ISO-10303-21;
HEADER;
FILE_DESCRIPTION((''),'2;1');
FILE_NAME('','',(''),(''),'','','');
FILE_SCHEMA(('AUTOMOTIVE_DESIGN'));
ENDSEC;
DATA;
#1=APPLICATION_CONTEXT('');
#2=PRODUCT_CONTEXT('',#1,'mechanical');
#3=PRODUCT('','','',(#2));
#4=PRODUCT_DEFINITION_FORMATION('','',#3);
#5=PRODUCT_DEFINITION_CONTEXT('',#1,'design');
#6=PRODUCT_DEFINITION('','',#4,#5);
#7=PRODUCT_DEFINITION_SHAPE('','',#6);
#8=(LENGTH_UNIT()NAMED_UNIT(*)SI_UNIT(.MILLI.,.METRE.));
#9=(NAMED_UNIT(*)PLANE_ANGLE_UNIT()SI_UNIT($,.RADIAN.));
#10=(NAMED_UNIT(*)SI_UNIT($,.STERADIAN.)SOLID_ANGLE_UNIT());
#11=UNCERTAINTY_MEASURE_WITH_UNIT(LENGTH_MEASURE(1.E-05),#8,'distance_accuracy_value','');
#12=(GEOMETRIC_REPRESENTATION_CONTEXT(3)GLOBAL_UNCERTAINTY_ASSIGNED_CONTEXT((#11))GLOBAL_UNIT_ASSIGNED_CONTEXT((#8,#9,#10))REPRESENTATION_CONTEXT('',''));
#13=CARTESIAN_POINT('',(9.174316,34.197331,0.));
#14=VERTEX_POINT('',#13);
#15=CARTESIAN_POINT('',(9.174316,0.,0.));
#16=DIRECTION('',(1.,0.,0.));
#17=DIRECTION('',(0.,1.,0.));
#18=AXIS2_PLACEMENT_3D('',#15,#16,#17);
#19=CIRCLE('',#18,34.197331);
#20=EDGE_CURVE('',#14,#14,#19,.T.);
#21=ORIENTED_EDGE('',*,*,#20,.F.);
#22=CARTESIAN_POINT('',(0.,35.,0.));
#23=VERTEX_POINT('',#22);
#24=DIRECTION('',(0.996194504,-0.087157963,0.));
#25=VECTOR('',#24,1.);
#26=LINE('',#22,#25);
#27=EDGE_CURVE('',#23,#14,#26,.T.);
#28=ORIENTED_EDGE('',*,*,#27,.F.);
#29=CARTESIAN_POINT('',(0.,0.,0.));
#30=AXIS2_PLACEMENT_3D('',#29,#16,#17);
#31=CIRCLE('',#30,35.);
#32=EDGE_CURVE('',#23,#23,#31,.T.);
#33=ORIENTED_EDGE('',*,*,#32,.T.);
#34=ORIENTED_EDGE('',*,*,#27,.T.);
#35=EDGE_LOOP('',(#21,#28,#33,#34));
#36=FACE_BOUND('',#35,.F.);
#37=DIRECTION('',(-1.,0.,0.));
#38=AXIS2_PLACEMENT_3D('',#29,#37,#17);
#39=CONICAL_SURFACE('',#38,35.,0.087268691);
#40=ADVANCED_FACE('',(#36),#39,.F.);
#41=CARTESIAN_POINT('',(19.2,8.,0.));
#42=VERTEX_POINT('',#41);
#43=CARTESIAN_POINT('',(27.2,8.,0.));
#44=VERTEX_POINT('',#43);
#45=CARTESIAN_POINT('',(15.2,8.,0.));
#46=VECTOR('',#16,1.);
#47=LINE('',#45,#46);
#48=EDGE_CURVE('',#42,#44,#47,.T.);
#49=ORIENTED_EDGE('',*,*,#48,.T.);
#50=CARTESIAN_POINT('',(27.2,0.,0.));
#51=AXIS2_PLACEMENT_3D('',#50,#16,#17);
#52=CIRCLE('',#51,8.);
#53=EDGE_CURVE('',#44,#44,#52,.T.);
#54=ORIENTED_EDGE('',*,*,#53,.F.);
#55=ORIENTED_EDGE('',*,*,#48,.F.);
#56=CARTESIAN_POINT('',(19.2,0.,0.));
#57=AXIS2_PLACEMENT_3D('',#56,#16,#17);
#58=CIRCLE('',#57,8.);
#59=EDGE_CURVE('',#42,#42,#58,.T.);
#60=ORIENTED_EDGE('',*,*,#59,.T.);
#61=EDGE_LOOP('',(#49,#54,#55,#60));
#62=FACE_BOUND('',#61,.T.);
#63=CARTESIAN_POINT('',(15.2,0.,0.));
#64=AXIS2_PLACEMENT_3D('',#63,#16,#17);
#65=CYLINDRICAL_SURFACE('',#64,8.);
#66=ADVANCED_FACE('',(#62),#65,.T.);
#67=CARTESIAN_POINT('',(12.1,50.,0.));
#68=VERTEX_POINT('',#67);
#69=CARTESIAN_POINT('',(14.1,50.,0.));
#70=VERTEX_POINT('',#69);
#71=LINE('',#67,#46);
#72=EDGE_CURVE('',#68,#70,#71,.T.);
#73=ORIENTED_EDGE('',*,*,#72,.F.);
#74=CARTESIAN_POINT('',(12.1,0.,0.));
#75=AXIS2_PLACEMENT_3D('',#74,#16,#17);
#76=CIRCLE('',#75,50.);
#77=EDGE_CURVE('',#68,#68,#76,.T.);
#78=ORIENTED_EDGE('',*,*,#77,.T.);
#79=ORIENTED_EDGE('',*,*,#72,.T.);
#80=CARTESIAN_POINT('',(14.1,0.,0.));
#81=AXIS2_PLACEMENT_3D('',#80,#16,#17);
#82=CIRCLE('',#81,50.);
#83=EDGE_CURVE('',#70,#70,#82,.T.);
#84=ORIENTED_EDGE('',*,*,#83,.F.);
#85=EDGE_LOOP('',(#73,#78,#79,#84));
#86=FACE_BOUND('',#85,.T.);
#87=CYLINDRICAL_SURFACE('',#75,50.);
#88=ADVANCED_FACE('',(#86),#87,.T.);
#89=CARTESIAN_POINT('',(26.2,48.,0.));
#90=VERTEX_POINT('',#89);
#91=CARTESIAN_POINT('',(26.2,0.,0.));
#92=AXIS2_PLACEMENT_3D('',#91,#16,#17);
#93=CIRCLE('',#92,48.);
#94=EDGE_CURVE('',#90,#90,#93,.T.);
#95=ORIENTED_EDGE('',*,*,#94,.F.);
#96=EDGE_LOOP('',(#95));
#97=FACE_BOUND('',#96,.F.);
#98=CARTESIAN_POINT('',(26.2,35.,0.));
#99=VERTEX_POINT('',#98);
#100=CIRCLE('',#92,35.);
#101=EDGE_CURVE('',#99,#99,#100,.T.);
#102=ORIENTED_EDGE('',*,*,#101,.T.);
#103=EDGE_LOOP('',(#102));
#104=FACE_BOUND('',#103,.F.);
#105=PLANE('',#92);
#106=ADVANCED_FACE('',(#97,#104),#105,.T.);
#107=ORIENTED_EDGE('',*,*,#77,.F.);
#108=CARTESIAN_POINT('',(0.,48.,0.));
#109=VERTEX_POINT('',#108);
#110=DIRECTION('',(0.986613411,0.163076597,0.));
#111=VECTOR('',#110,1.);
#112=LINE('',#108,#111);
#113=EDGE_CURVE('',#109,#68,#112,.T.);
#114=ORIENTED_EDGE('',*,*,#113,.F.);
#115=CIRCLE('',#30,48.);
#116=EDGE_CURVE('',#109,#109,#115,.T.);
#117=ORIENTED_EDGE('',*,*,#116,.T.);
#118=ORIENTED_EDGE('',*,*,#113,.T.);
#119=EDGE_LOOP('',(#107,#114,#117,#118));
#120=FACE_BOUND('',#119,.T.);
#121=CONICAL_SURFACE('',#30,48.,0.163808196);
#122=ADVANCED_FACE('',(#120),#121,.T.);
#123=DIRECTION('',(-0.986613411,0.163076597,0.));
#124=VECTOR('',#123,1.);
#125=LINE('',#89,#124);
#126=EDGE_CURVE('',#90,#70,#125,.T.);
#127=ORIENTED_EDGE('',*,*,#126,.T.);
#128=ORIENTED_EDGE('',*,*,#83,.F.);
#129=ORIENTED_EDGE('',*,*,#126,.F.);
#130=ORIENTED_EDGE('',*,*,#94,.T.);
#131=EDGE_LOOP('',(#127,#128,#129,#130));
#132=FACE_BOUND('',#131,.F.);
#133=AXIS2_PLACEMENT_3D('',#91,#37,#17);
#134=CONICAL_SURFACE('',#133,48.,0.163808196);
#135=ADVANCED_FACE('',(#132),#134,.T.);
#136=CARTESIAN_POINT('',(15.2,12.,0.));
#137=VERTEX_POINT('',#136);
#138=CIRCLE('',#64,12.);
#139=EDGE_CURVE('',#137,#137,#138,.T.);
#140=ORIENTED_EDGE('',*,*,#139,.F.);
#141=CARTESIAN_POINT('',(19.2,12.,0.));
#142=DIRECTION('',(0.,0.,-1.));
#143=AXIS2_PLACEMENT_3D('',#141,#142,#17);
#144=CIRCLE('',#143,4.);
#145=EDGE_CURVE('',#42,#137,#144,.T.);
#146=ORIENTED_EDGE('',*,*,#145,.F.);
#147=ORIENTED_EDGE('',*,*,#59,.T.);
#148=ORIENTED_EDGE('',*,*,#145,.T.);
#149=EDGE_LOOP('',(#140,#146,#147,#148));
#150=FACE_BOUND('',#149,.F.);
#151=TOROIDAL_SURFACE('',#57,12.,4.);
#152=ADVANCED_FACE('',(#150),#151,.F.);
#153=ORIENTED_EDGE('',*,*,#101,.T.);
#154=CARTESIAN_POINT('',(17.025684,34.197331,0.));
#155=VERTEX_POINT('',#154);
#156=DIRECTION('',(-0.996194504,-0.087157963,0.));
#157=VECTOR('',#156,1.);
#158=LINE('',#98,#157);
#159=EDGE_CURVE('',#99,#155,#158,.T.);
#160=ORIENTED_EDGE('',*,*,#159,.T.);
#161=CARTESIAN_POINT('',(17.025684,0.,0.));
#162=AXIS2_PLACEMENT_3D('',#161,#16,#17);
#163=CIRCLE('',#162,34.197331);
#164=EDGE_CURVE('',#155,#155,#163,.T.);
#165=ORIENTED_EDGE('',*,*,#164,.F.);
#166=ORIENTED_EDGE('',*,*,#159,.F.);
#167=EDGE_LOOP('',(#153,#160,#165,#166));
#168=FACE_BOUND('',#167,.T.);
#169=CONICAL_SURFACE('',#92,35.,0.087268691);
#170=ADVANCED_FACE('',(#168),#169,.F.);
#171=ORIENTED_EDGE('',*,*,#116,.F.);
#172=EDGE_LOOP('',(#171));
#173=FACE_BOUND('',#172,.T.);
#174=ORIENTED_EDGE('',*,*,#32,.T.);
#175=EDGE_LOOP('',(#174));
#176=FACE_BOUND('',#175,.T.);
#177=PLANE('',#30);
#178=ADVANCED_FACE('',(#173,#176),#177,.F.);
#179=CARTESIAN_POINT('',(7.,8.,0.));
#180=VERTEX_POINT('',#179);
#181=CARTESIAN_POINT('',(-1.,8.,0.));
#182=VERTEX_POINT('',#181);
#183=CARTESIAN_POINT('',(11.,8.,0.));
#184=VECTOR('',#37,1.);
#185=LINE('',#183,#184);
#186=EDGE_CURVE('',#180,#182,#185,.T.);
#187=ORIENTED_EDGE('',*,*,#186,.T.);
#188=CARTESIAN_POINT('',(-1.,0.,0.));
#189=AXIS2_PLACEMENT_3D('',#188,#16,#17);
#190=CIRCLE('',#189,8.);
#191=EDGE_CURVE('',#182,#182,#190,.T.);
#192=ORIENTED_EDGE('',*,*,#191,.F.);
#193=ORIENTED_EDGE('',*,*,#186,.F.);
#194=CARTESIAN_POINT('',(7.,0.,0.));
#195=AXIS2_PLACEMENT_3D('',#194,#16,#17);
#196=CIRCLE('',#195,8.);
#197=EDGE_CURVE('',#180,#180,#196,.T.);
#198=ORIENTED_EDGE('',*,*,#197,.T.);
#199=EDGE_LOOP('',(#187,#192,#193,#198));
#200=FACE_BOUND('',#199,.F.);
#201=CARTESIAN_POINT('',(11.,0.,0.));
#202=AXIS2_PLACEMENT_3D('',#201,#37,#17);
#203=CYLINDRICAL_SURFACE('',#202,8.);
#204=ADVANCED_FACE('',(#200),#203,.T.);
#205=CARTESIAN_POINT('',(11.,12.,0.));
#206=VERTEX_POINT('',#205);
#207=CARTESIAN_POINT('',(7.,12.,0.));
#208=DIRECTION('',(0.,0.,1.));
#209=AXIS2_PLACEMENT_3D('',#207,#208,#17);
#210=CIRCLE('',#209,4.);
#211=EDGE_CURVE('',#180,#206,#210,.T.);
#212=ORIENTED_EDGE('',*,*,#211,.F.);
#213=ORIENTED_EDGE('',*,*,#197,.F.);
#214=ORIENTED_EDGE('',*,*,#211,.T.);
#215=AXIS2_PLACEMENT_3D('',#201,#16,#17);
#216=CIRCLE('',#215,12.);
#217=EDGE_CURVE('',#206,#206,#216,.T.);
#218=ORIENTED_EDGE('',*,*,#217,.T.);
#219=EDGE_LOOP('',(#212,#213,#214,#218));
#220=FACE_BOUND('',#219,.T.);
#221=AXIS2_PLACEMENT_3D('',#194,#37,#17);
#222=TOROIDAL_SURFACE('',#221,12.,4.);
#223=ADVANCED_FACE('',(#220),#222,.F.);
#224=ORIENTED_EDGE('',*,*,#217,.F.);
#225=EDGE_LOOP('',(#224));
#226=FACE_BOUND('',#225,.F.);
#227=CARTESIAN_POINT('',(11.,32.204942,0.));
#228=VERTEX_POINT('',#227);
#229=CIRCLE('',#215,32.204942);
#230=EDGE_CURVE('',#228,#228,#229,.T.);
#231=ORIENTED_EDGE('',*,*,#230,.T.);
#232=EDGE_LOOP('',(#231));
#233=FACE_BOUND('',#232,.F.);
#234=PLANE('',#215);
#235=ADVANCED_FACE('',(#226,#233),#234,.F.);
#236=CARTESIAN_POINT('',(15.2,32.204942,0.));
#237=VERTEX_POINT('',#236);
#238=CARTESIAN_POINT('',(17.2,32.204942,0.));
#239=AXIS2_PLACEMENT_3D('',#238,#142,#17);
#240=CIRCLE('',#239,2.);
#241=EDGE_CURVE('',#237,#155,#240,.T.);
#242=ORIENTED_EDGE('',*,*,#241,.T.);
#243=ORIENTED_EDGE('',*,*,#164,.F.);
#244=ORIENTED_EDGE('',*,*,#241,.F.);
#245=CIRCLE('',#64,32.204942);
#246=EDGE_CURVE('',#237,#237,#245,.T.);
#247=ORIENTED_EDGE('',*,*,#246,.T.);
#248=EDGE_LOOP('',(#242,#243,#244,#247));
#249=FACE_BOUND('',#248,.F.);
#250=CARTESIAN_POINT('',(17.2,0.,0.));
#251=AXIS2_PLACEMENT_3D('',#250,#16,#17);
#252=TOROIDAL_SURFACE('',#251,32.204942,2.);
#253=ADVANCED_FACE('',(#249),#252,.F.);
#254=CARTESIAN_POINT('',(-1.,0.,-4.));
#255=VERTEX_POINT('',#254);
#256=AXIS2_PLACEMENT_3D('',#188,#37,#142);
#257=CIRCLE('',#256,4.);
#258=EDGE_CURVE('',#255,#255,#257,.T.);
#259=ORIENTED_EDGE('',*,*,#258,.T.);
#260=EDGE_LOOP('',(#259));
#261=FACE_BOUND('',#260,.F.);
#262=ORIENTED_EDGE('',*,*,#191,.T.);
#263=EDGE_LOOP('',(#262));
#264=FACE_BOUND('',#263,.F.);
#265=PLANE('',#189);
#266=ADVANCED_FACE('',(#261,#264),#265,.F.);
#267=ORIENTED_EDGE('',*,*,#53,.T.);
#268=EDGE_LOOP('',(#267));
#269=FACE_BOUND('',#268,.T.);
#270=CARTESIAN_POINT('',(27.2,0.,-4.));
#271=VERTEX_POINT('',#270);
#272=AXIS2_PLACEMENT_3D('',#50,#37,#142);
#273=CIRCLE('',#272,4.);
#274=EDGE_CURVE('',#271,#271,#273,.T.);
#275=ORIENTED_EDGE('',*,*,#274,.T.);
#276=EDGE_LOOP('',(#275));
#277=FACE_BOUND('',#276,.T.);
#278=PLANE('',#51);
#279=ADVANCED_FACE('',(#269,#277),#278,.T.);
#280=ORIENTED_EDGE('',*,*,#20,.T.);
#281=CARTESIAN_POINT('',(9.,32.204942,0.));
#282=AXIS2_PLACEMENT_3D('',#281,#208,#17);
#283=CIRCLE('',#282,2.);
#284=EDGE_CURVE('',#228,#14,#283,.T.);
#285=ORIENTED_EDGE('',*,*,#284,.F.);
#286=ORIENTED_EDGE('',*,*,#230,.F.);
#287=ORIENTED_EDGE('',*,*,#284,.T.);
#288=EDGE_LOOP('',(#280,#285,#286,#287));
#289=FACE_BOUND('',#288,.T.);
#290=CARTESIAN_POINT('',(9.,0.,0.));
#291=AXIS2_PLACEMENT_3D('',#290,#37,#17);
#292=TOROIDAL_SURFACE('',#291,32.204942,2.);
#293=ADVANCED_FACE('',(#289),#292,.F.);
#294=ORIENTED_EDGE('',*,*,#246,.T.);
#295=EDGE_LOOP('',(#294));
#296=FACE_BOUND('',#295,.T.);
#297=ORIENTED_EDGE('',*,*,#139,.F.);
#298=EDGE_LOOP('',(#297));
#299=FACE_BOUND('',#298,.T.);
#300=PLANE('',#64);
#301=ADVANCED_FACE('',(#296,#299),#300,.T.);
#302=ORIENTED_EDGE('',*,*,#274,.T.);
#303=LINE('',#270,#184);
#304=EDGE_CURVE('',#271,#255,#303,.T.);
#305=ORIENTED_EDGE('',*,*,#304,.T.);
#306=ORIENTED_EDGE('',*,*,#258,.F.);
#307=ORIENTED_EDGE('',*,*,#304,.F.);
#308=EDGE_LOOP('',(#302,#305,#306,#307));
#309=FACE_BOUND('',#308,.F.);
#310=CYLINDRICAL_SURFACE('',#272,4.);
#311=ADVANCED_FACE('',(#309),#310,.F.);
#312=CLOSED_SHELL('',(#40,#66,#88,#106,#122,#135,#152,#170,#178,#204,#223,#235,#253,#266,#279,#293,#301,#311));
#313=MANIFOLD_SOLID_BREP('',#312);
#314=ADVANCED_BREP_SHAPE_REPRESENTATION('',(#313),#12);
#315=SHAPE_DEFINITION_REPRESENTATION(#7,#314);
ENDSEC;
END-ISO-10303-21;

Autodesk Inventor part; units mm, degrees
ref_plane "YZ Plane" through (0, 0, 0) normal (1, 0, 0) x (0, 1, 0)
ref_plane "XZ Plane" through (0, 0, 0) normal (0, 1, 0) x (-1, 0, 0)
ref_plane "XY Plane" through (0, 0, 0) normal (0, 0, 1) x (1, 0, 0)
sketch "Sketch1" plane through (0, 0, 0) normal (0, 0, 1) x (1, 0, 0)
  line L0 (0, 0) -> (37.6224, 0)
  line L1 (0, 35) -> (0, 48)
  line L2 (0, 48) -> (12.1, 50)
  line L3 (12.1, 50) -> (13.1, 50)
  line L4 (0, 35) -> (11, 34.0376)
  line L5 (11, 34.0376) -> (11, 8)
  line L6 (11, 8) -> (-1, 8)
  line L7 (-1, 8) -> (-1, 0)
  line L8 (13.1, 50) -> (13.1, 0)
  line L9 (-1, 0) -> (13.1, 0)
  line L10 (26.2, 35) -> (26.2, 48)
  line L11 (26.2, 48) -> (14.1, 50)
  line L12 (14.1, 50) -> (13.1, 50)
  line L13 (26.2, 35) -> (15.2, 34.0376)
  line L14 (15.2, 34.0376) -> (15.2, 8)
  line L15 (15.2, 8) -> (27.2, 8)
  line L16 (27.2, 8) -> (27.2, 0)
  line L17 (27.2, 0) -> (13.1, 0)
  point P0 (26.2, 0)
  dimension "d0" = 100
  dimension "d2" = 1
  dimension "d3" = 13
  dimension "d4" = 13.1
  dimension "d5" = 11
  dimension "d6" = 95
  dimension "d7" = 16
  dimension "d8" = 12
  dimension "d9" = 48
revolve "Revolution1" add sketch "Sketch1" angle 360 about axis through (0, 0, 0) along (1, 0, 0)
hole "Hole1" at (27.2, 0, 0) direction (-1, 0, 0) diameter 8 end through all
fillet "Fillet1" radius 4 2 edges at (15.2, -8, 0) (11, -8, 0)
fillet "Fillet2" radius 2 2 edges at (15.2, -34.0376, 0) (11, -34.0376, 0)
properties part number "Hjul"
